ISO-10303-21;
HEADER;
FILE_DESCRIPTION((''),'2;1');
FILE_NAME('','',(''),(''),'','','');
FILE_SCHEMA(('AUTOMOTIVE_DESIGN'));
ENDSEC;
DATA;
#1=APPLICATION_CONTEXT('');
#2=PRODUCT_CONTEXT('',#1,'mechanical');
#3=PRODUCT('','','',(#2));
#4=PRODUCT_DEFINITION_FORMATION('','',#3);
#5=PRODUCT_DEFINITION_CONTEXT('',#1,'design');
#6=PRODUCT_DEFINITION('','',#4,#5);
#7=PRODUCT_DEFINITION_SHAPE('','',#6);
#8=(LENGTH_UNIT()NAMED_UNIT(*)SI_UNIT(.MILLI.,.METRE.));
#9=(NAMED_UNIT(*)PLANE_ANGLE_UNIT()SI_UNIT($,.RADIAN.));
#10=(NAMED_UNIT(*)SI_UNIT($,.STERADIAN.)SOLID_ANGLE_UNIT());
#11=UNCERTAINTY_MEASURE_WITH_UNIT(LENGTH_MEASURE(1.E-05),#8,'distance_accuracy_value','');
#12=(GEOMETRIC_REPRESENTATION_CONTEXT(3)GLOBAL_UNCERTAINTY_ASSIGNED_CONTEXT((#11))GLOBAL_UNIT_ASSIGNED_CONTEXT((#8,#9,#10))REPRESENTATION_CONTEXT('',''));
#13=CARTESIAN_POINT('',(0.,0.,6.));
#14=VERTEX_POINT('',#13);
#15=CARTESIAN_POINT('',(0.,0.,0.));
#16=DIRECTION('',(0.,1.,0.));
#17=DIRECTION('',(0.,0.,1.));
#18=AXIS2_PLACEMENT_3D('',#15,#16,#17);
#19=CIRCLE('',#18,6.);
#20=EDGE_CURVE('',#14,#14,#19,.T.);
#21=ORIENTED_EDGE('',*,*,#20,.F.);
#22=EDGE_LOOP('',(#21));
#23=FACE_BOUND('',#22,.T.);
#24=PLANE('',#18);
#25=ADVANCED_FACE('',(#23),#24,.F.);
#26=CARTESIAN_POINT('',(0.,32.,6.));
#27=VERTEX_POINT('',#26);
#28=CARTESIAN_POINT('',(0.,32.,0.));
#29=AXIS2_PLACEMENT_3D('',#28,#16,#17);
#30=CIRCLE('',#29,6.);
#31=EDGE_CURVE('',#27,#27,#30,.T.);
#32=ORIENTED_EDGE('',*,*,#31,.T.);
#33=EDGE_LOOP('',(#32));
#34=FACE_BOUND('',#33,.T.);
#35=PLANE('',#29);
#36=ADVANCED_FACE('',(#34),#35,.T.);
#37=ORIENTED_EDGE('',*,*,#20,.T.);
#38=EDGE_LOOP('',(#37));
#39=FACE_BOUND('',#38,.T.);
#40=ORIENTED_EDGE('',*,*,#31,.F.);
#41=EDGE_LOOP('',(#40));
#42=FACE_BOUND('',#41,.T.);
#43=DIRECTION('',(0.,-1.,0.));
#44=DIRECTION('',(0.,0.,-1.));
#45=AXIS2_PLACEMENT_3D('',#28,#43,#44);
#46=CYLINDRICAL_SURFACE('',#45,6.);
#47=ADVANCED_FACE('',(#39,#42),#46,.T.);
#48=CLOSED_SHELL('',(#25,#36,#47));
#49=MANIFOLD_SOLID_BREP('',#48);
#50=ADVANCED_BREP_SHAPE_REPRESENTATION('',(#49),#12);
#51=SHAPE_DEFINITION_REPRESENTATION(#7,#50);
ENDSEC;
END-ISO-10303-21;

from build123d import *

# Parameters (mm, degrees)
SKETCH1_R           = 6
BOSS_EXTRUDE1_DEPTH = 32


with BuildPart() as part:
    # Sketch1 → Boss-Extrude1 (new body)
    with BuildSketch(Plane(origin=(0, 0, 0), x_dir=(1, 0, 0), z_dir=(0, 1, 0))):
        Circle(SKETCH1_R)
    extrude(amount=BOSS_EXTRUDE1_DEPTH)


solid = part.part
